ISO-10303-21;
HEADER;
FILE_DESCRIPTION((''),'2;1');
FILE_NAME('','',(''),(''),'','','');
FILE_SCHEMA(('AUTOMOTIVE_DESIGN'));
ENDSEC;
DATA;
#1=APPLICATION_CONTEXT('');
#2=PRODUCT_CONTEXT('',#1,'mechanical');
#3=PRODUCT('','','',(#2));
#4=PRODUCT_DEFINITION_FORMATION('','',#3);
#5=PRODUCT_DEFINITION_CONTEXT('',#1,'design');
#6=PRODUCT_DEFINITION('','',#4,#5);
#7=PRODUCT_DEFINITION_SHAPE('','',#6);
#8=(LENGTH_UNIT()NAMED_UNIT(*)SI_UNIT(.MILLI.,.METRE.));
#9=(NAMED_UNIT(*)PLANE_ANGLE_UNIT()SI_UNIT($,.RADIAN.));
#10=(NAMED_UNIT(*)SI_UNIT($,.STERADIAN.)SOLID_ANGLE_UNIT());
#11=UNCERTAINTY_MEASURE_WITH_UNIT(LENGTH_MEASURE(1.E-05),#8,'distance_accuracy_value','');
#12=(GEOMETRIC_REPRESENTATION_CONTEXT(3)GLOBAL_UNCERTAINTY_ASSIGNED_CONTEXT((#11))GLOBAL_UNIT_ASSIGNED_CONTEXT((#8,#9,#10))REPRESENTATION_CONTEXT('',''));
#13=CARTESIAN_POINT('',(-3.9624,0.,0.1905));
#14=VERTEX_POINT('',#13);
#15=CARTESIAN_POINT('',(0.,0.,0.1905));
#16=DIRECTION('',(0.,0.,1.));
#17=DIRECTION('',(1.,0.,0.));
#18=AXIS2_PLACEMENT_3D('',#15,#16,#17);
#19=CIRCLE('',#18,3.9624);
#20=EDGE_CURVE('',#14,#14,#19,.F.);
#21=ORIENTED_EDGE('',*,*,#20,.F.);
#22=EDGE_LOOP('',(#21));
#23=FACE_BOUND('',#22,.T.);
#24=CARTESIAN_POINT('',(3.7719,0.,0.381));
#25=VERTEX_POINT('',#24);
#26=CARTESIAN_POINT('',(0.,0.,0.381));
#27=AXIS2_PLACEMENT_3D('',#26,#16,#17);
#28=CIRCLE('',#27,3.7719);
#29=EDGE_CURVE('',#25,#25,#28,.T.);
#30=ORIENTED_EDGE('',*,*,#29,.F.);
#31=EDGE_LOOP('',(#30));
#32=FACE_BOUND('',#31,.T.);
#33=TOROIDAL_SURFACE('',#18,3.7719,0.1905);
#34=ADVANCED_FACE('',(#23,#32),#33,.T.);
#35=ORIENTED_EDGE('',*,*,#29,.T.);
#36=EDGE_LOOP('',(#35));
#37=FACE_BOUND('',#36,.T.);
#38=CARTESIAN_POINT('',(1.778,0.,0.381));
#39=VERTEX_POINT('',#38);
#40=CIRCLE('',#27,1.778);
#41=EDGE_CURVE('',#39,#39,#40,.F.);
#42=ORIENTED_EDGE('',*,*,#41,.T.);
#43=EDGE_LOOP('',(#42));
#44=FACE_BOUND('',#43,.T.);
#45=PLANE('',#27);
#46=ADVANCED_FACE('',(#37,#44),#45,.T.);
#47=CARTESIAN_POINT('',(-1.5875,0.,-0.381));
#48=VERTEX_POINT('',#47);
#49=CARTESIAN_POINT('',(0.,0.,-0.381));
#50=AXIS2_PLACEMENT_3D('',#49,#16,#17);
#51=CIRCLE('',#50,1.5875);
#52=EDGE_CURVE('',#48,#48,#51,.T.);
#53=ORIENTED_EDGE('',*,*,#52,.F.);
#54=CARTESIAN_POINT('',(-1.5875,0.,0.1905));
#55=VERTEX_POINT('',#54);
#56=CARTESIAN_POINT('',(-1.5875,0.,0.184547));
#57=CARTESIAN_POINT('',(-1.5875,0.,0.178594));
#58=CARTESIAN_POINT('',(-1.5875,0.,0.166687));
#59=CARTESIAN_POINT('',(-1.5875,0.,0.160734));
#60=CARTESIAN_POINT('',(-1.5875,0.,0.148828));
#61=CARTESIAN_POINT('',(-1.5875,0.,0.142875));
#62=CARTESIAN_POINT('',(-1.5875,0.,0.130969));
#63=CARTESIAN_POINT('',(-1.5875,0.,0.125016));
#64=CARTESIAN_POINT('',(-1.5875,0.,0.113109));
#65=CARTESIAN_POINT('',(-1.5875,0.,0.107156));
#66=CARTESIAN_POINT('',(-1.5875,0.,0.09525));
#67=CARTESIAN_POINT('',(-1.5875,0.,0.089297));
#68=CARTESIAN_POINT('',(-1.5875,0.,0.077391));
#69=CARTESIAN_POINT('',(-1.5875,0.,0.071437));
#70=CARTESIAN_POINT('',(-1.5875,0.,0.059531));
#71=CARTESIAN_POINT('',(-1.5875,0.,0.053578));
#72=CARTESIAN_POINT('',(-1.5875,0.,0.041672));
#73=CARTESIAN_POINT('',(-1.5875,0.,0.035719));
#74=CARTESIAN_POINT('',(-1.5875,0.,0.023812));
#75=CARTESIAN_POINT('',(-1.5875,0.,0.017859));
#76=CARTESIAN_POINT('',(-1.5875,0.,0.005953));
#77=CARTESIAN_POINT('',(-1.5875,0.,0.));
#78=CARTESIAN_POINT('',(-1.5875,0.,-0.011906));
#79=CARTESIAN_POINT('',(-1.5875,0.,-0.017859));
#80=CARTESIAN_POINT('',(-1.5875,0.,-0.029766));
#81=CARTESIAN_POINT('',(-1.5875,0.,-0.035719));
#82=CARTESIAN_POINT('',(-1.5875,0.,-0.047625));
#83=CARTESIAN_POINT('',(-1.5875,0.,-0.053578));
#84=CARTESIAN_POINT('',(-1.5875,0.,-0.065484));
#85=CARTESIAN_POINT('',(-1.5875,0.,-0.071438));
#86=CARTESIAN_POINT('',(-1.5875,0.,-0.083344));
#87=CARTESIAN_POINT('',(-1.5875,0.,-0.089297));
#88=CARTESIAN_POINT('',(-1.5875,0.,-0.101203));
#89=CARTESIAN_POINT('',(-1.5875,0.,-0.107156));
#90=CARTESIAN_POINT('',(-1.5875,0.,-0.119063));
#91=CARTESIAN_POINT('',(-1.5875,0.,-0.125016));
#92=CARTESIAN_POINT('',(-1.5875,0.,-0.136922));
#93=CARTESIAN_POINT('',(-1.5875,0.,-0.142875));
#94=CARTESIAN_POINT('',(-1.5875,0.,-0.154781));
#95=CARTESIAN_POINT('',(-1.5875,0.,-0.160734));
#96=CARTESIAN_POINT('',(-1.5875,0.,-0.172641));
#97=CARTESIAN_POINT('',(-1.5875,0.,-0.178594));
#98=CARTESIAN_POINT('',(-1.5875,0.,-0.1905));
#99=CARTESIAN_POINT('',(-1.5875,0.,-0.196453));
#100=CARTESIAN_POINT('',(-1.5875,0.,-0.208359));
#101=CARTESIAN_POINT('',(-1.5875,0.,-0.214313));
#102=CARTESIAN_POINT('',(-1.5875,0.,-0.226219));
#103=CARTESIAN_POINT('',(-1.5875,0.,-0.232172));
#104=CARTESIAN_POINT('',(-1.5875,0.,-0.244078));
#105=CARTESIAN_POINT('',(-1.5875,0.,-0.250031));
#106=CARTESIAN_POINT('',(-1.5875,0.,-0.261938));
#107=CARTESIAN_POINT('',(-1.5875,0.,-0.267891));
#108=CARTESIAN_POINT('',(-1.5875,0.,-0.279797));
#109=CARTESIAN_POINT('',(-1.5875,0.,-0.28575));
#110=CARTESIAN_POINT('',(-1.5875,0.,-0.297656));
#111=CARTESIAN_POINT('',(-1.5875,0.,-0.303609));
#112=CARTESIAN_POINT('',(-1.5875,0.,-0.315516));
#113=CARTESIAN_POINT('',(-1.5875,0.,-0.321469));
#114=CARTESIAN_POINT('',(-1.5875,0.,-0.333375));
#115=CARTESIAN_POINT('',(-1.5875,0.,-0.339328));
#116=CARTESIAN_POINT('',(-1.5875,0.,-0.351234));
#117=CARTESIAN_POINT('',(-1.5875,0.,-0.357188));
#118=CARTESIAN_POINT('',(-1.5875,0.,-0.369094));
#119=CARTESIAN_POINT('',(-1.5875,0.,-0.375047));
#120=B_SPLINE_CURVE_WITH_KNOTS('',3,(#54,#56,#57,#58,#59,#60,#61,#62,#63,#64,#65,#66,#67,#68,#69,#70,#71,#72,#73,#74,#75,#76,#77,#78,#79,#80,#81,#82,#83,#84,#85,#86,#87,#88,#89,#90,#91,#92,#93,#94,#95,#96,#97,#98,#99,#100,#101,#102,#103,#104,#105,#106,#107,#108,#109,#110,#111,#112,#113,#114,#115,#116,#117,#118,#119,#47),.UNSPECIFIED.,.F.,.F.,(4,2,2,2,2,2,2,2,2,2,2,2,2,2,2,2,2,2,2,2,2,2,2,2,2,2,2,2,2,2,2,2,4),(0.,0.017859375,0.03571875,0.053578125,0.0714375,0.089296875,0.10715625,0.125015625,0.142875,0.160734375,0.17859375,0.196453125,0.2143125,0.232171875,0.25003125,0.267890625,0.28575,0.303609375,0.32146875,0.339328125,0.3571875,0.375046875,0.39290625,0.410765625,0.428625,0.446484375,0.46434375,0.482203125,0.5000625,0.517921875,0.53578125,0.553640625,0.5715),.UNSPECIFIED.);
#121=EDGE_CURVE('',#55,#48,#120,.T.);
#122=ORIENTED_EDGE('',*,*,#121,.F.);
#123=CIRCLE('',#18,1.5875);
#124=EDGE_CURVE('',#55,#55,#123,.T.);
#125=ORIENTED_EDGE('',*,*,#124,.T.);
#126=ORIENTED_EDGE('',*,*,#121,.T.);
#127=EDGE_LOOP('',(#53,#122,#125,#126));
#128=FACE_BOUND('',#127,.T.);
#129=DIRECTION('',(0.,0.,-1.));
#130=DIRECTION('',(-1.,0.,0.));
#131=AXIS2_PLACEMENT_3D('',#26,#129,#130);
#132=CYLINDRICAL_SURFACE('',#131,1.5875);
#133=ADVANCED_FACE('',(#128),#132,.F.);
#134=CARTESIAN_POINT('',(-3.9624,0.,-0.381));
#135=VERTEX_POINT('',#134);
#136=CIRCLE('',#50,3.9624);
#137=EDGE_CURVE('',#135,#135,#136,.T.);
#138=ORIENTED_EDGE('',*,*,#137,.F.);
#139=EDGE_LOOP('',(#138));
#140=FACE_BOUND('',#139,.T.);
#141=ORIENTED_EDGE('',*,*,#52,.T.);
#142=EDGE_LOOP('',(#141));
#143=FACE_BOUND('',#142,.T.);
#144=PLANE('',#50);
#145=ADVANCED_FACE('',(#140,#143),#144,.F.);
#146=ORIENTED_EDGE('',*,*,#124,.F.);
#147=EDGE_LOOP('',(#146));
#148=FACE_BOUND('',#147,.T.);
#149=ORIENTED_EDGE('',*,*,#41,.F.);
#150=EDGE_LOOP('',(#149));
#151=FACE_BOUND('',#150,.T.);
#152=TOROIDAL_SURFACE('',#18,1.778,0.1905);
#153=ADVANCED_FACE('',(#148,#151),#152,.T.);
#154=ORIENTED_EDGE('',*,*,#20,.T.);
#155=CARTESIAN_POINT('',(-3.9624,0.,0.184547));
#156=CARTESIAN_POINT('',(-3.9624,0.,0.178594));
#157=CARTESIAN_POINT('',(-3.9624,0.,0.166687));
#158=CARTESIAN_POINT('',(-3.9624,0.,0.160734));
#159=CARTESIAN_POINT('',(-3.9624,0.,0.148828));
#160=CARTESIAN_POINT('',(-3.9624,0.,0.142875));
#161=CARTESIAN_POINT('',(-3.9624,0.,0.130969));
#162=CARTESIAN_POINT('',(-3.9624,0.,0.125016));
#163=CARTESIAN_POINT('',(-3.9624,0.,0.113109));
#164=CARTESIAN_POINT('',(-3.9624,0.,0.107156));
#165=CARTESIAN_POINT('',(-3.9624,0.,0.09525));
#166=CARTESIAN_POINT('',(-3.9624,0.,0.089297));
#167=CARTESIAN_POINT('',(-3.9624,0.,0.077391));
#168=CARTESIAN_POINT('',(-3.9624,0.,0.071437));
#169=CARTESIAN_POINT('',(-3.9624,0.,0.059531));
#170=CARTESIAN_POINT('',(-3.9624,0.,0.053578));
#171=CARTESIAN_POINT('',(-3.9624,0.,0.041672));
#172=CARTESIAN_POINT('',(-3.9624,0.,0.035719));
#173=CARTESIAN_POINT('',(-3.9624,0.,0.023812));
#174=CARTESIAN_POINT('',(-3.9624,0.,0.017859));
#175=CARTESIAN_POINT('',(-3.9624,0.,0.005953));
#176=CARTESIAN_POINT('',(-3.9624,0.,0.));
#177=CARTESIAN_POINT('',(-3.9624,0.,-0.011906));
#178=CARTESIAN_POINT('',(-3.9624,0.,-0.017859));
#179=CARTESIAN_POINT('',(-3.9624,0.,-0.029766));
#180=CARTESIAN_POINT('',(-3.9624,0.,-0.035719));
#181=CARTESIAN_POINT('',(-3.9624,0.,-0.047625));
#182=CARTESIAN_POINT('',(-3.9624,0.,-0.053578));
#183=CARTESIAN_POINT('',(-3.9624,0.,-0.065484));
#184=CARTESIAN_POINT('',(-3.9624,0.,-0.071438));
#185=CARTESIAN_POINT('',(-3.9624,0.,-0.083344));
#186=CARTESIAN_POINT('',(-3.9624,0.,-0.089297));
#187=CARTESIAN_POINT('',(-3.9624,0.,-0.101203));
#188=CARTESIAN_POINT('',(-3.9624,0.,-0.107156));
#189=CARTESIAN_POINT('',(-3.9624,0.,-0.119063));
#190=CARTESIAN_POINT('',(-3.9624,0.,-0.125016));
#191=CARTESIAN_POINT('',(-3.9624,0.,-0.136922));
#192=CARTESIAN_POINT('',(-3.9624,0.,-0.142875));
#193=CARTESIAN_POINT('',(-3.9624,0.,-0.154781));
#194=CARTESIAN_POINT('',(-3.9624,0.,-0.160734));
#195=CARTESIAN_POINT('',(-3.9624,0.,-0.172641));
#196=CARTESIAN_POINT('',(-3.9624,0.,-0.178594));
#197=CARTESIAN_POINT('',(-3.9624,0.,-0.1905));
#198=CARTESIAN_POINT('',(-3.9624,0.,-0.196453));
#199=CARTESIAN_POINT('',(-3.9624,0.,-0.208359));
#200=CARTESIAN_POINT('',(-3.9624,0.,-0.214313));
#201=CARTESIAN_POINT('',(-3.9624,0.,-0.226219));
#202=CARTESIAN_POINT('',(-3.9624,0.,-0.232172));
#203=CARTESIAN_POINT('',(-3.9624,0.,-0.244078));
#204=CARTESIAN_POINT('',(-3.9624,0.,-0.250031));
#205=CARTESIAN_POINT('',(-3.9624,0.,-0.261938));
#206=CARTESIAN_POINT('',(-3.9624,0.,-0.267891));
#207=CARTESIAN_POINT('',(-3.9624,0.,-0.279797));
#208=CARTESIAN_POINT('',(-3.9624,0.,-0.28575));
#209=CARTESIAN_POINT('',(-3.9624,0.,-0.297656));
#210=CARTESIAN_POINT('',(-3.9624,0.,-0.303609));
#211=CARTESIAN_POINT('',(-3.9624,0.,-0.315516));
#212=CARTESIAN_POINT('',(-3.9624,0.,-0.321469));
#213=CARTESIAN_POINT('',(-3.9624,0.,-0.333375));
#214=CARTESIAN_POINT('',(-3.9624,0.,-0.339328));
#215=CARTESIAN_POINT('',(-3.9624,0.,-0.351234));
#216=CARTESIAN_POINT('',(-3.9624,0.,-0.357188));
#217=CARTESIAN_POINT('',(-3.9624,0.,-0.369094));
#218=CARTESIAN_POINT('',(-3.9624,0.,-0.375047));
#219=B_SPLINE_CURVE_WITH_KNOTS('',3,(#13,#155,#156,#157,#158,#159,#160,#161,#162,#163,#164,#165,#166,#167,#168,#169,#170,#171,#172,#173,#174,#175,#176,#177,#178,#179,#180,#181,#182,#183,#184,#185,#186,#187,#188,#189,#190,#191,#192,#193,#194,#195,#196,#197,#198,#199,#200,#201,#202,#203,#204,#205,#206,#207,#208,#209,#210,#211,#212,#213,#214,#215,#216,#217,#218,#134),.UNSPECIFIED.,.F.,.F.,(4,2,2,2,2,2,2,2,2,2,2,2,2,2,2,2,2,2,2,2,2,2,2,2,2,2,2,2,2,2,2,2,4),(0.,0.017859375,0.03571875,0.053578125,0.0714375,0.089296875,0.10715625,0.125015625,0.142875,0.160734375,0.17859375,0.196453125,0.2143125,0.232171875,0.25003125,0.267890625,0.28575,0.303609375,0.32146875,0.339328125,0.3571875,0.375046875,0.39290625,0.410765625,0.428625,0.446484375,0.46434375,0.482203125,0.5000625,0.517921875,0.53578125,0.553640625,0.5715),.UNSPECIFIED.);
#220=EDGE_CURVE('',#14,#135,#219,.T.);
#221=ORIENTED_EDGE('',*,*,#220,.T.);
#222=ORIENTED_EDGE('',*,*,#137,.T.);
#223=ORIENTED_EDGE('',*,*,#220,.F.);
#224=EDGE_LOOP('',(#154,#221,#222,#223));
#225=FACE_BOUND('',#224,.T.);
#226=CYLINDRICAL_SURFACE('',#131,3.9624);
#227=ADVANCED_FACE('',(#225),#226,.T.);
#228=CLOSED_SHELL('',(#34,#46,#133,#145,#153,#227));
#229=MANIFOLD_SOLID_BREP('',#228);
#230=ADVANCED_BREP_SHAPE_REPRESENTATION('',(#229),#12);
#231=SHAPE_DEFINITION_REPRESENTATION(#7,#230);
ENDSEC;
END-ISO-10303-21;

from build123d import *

# Parameters (mm, degrees)
BOSS_EXTRUDE1_DEPTH      = 0.381
BOSS_EXTRUDE1_DEPTH_BACK = 0.381
SKETCH3_R                = 3.9624
SKETCH3_R_2              = 1.5875
FILLET1_R                = 0.1905


with BuildPart() as part:
    # Sketch3 → Boss-Extrude1 (new, two sides: drawn at the far end of the back side and taken through both)
    with BuildSketch(Plane.XY.offset(-BOSS_EXTRUDE1_DEPTH_BACK)):
        with Locations(Location((0, 0, 0), (0, 0, 180))):
            Circle(SKETCH3_R)
        with Locations(Location((0, 0, 0), (0, 0, 180))):
            Circle(SKETCH3_R_2, mode=Mode.SUBTRACT)
    extrude(amount=BOSS_EXTRUDE1_DEPTH + BOSS_EXTRUDE1_DEPTH_BACK)

    # Fillet1
    fillet1_edges = [part.edges().sort_by_distance(p)[0] for p in [
        (3.9624, 0, 0.381),
        (1.5875, 0, 0.381),
    ]]
    fillet(fillet1_edges, radius=FILLET1_R)


solid = part.part
